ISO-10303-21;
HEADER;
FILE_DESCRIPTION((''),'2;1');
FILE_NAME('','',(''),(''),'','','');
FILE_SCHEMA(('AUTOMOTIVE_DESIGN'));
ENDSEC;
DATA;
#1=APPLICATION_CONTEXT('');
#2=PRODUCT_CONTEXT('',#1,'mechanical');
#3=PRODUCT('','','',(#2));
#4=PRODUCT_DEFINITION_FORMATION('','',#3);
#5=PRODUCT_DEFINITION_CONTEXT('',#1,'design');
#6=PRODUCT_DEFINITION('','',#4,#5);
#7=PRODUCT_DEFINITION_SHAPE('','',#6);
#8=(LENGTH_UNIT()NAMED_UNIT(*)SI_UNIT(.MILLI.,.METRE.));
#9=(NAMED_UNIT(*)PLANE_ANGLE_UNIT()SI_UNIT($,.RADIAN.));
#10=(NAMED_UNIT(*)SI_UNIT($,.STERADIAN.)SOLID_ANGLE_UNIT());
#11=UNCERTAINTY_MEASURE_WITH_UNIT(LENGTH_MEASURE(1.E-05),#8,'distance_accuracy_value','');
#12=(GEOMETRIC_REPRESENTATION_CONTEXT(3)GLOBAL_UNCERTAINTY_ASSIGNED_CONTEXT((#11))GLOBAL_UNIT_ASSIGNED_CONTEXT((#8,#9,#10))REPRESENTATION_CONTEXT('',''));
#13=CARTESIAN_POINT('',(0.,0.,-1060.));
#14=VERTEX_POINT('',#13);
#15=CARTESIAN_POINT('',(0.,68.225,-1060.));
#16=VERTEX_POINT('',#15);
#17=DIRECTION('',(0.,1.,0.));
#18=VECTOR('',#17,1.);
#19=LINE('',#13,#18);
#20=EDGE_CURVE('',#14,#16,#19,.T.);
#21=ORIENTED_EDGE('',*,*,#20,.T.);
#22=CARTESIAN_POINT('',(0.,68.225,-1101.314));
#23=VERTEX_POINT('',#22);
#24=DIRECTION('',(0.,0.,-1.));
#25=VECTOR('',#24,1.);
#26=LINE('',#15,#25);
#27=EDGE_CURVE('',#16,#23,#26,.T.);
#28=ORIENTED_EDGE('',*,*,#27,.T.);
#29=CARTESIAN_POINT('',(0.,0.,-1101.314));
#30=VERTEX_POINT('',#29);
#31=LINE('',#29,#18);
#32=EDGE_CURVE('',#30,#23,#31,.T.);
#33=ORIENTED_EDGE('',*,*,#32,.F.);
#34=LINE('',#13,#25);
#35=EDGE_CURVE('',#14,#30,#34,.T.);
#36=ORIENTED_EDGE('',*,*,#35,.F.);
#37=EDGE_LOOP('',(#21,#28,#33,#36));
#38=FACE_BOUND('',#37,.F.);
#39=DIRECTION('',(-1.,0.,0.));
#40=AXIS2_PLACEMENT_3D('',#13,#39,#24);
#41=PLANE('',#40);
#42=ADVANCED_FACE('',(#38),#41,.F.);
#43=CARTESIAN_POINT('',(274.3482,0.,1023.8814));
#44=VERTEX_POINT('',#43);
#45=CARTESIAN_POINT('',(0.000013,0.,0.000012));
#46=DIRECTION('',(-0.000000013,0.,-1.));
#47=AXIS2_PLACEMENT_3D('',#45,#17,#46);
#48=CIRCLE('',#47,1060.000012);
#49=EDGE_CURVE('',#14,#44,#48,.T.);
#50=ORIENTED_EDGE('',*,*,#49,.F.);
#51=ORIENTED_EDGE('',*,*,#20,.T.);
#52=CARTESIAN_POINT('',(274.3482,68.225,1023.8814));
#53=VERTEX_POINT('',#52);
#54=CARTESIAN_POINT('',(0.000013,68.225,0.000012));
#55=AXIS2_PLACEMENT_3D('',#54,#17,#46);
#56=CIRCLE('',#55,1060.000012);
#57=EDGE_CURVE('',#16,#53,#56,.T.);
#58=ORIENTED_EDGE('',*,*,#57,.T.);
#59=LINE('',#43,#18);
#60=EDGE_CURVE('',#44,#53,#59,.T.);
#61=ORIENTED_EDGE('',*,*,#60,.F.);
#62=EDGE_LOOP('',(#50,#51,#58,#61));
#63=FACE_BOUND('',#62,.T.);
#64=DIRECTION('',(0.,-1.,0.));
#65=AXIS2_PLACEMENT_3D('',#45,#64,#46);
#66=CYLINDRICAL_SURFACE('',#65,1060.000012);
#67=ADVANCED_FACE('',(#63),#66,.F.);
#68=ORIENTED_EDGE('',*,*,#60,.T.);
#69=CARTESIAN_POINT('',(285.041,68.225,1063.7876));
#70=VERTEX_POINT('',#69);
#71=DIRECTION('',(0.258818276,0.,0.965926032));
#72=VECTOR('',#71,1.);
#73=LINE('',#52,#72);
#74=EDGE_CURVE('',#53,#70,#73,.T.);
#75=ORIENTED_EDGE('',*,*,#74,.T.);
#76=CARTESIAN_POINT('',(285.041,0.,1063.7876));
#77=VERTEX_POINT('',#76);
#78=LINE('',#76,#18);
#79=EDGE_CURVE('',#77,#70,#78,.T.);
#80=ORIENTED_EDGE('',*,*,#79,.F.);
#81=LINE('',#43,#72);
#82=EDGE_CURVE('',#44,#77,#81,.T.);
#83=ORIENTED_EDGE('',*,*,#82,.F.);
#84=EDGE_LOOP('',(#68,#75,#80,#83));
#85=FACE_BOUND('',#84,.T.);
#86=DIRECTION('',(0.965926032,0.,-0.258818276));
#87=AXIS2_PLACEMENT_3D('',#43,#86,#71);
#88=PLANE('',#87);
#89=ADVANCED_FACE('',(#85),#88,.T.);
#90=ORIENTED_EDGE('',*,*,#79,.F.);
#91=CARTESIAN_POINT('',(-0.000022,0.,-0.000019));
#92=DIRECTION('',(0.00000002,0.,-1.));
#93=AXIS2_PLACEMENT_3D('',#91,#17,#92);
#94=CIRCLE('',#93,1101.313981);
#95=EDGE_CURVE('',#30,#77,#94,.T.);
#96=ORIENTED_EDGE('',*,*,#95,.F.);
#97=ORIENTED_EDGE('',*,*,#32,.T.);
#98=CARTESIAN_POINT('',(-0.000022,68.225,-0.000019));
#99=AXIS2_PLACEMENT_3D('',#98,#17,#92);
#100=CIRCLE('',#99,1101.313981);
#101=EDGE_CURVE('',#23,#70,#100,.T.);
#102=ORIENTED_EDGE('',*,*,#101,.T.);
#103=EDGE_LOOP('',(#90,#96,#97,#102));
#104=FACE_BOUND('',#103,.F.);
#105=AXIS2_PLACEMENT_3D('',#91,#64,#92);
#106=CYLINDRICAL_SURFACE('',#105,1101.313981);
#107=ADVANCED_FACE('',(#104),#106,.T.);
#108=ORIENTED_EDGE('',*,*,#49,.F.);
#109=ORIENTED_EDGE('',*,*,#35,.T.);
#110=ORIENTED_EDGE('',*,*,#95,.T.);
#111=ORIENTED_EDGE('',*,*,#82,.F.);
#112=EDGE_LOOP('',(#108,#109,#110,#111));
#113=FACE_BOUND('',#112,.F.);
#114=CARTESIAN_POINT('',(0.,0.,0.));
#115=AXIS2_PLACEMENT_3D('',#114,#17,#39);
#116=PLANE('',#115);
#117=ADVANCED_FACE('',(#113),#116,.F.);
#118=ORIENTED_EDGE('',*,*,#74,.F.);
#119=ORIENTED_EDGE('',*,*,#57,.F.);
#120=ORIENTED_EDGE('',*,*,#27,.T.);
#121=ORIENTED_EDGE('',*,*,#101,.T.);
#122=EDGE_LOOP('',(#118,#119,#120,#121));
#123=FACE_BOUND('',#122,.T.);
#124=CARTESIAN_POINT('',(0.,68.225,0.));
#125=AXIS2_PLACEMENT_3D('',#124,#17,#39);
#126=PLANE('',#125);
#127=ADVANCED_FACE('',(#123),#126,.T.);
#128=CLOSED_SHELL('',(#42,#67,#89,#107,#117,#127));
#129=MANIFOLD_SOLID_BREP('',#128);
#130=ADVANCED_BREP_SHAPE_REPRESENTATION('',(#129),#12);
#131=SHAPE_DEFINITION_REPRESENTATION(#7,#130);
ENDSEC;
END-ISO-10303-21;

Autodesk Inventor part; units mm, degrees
ref_plane "YZ Plane" through (0, 0, 0) normal (1, 0, 0) x (0, 1, 0)
ref_plane "XZ Plane" through (0, 0, 0) normal (0, 1, 0) x (-1, 0, 0)
ref_plane "XY Plane" through (0, 0, 0) normal (0, 0, 1) x (1, 0, 0)
sketch "Szkic1" plane through (0, 0, 0) normal (0, 1, 0) x (-1, 0, 0)
  arc A0 (0, -1101.314) -> (-285.041, 1063.7876) centre (0, 0) ccw
  line L0 (0, -1060) -> (0, -1101.314)
  line L1 (-274.3482, 1023.8814) -> (-285.041, 1063.7876)
  arc A1 (0, -1060) -> (-274.3482, 1023.8814) centre (0, 0) ccw
  line L2 (0, 0) -> (-274.3482, 1023.8814)
  dimension "d0" = 2202.628
  dimension "d1" = 195
  dimension "d2" = 2120
  dimension "d5" = 41.314
extrude "Wyciągnięcie proste1" add sketch "Szkic1" along normal blind 68.225
equation "\"PromieńGięcia\" = Grubość"
equation "\"SzerokośćGięciaPodcięcia\" = Grubość"
equation "\"GłębokośćGięciaPodcięcia\" = 0.5 * Grubość"
equation "\"RozmiarPodcięciaNarożnika\" = 4 * Grubość"
equation "\"MinimalnaPozostałość\" = 2 * Grubość"
equation "\"PromieńPrzejścia\" = PromieńGięcia"
equation "\"Rozmiar_promienia_Jacobiego\" = PromieńGięcia"
equation "\"Wielk_odstępu\" = Grubość"
equation "\"Grubość\" = 0.5"
properties part number "przestrzeń robocza"
